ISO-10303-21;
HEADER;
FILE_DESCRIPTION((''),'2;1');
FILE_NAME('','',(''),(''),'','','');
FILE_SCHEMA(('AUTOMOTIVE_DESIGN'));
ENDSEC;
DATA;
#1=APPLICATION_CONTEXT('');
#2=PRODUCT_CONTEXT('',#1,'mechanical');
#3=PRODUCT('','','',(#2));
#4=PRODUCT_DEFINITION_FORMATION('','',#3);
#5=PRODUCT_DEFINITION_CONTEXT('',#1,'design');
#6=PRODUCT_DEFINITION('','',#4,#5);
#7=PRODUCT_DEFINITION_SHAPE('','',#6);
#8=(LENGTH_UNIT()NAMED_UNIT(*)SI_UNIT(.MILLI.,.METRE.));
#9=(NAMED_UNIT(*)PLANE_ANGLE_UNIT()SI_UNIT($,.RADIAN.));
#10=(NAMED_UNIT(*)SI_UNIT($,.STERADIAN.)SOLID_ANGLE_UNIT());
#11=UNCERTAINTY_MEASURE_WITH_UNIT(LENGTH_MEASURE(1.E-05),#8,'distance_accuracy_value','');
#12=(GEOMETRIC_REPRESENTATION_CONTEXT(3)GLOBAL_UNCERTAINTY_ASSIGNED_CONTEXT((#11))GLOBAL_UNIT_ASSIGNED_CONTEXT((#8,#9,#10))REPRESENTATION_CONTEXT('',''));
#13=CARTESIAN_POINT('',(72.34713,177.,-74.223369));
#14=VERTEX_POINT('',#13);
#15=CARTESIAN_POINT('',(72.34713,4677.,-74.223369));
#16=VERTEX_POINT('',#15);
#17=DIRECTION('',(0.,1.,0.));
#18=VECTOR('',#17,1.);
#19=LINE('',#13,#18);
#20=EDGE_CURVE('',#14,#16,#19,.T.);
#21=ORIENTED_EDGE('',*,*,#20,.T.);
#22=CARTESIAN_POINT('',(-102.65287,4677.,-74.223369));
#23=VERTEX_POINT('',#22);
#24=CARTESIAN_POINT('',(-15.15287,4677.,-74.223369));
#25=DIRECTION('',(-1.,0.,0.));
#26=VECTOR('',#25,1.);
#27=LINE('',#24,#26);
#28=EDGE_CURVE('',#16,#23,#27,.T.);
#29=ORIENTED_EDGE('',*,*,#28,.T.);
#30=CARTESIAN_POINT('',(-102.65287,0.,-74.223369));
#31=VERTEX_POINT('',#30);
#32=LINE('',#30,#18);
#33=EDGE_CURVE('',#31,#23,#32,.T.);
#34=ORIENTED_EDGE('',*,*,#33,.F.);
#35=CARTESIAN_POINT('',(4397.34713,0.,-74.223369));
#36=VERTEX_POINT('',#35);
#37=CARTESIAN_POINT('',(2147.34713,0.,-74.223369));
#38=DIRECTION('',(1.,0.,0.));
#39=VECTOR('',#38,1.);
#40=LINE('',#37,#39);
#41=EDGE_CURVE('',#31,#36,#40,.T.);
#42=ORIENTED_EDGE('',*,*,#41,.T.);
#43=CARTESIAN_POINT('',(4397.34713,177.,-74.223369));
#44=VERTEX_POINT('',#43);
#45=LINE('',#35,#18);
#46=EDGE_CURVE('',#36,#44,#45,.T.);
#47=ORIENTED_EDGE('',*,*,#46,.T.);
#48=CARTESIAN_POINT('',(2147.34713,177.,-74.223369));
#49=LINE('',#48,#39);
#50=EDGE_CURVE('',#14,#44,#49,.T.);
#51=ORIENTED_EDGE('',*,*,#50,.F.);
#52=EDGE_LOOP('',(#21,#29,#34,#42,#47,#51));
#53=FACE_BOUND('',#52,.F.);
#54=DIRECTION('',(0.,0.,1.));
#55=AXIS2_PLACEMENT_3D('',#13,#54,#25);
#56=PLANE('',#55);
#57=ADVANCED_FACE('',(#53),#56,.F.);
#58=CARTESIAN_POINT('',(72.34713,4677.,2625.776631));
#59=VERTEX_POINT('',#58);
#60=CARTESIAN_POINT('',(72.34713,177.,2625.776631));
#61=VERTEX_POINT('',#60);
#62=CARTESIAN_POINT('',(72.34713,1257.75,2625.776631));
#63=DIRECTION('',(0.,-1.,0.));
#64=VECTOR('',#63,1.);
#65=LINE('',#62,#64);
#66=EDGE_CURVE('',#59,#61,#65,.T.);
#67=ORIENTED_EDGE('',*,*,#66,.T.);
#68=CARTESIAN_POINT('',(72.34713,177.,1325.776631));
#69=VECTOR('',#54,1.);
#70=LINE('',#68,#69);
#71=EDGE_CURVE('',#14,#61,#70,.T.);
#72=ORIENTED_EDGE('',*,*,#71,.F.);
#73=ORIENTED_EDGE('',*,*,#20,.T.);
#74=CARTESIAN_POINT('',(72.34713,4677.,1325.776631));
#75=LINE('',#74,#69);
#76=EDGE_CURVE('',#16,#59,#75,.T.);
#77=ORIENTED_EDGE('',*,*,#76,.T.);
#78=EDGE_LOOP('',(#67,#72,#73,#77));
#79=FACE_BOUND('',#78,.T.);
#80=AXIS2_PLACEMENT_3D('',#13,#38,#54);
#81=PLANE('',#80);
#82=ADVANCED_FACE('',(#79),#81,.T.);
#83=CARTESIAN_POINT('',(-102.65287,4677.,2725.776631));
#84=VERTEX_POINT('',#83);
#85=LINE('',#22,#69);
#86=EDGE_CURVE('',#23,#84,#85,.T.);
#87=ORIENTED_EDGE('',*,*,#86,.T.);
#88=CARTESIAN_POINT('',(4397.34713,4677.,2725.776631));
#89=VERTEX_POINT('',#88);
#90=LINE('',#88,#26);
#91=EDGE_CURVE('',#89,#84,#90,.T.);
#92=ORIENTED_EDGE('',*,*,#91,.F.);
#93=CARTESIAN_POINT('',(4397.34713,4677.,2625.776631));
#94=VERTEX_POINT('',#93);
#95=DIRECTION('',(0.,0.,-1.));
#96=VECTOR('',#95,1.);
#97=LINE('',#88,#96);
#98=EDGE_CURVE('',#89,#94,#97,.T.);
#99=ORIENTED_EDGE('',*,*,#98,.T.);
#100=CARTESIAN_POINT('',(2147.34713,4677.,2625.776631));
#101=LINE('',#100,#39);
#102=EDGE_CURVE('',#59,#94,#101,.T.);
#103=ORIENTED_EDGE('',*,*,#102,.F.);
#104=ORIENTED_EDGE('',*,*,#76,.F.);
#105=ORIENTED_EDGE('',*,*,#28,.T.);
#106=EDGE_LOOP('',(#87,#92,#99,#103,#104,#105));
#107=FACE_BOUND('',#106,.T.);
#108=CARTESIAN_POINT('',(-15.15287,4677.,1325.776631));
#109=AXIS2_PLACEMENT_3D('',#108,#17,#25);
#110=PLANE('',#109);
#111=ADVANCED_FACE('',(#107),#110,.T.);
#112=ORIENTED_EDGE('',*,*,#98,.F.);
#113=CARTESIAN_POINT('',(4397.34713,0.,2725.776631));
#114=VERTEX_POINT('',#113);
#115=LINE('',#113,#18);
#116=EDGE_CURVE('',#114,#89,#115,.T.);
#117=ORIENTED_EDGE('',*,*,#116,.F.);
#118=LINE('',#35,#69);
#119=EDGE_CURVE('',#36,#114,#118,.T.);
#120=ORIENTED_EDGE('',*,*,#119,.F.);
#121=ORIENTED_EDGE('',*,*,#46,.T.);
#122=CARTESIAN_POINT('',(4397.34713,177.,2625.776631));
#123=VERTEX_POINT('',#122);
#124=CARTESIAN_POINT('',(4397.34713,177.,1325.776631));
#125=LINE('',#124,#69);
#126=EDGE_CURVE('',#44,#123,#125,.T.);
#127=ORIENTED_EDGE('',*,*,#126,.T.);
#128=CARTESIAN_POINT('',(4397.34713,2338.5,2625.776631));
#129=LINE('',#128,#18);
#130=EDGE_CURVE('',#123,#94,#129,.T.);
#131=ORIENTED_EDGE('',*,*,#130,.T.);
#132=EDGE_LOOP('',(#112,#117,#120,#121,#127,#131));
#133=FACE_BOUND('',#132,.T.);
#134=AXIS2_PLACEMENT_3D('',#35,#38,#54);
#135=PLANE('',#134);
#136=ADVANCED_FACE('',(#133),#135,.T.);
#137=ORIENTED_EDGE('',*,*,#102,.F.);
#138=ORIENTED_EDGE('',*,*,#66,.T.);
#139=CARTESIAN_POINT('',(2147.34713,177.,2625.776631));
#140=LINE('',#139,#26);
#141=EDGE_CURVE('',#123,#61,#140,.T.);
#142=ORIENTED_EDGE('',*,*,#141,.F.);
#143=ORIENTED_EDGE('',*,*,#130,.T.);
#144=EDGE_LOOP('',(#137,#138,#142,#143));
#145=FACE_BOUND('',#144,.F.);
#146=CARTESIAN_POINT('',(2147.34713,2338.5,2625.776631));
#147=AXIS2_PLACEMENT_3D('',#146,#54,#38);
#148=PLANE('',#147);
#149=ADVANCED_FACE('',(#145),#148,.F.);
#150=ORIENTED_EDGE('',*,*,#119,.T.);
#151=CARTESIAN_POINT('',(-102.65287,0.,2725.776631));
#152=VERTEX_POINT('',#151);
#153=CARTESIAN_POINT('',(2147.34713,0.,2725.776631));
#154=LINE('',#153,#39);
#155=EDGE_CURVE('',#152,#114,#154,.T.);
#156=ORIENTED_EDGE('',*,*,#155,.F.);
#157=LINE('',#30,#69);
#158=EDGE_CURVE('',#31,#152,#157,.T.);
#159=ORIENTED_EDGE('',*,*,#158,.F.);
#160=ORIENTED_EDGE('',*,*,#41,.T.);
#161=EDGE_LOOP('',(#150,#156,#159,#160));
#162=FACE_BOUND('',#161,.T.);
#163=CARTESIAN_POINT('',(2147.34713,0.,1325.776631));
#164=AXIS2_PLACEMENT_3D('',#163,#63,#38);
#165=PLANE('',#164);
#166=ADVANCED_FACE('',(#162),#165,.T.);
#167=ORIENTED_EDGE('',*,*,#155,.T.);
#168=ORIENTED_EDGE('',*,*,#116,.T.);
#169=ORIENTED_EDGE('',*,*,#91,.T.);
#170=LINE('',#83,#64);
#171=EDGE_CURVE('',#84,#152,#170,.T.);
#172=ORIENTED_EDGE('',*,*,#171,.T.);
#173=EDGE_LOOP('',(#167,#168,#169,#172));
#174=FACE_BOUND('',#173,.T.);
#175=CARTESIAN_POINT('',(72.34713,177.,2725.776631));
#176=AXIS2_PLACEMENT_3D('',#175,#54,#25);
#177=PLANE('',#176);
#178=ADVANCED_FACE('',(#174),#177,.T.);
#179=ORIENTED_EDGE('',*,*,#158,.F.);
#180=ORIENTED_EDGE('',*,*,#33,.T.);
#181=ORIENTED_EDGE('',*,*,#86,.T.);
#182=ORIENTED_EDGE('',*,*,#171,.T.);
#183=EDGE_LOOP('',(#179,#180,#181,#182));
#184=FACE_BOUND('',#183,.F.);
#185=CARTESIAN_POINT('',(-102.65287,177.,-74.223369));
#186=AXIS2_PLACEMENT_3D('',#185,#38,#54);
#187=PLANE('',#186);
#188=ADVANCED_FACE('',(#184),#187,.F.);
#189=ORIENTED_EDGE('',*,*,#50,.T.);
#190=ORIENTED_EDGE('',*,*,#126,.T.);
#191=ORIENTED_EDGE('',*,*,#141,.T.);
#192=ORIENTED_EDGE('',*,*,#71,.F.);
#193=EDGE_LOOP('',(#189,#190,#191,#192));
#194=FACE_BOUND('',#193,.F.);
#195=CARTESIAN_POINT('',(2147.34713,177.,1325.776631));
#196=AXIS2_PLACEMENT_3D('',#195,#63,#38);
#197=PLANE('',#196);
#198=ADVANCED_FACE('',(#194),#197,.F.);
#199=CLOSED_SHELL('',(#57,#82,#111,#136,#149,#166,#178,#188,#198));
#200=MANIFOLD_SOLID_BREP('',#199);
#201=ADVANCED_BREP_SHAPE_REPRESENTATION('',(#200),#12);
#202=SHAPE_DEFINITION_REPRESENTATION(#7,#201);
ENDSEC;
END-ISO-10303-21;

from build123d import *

# Parameters (mm, degrees)
F0_W     = 4500
F0_H     = 2800
F1_DEPTH = 177
F2_W     = 175
F2_H     = 2800
F3_DEPTH = 4500
F5_W     = 4500
F5_H     = 4677
F6_DEPTH = 100


with BuildPart() as f1:
    # F0 (on Front) → F1 (new body)
    with BuildSketch(Plane.XZ):
        with Locations((2147.34713, 1325.776631)):
            Rectangle(F0_W, F0_H)
    extrude(amount=-F1_DEPTH)

    # F2 (on face) → F3 (join)
    with BuildSketch(Plane(origin=(0, 177, 0), x_dir=(-1, 0, 0), z_dir=(0, 1, 0))):
        with Locations((15.15287, 1325.776631)):
            Rectangle(F2_W, F2_H)
    extrude(amount=F3_DEPTH)

    # F5 (on face) → F6 (join)
    with BuildSketch(Plane.XY.offset(2725.776631)):
        with Locations((2147.34713, 2338.5)):
            Rectangle(F5_W, F5_H)
    extrude(amount=-F6_DEPTH)


solid = f1.part
